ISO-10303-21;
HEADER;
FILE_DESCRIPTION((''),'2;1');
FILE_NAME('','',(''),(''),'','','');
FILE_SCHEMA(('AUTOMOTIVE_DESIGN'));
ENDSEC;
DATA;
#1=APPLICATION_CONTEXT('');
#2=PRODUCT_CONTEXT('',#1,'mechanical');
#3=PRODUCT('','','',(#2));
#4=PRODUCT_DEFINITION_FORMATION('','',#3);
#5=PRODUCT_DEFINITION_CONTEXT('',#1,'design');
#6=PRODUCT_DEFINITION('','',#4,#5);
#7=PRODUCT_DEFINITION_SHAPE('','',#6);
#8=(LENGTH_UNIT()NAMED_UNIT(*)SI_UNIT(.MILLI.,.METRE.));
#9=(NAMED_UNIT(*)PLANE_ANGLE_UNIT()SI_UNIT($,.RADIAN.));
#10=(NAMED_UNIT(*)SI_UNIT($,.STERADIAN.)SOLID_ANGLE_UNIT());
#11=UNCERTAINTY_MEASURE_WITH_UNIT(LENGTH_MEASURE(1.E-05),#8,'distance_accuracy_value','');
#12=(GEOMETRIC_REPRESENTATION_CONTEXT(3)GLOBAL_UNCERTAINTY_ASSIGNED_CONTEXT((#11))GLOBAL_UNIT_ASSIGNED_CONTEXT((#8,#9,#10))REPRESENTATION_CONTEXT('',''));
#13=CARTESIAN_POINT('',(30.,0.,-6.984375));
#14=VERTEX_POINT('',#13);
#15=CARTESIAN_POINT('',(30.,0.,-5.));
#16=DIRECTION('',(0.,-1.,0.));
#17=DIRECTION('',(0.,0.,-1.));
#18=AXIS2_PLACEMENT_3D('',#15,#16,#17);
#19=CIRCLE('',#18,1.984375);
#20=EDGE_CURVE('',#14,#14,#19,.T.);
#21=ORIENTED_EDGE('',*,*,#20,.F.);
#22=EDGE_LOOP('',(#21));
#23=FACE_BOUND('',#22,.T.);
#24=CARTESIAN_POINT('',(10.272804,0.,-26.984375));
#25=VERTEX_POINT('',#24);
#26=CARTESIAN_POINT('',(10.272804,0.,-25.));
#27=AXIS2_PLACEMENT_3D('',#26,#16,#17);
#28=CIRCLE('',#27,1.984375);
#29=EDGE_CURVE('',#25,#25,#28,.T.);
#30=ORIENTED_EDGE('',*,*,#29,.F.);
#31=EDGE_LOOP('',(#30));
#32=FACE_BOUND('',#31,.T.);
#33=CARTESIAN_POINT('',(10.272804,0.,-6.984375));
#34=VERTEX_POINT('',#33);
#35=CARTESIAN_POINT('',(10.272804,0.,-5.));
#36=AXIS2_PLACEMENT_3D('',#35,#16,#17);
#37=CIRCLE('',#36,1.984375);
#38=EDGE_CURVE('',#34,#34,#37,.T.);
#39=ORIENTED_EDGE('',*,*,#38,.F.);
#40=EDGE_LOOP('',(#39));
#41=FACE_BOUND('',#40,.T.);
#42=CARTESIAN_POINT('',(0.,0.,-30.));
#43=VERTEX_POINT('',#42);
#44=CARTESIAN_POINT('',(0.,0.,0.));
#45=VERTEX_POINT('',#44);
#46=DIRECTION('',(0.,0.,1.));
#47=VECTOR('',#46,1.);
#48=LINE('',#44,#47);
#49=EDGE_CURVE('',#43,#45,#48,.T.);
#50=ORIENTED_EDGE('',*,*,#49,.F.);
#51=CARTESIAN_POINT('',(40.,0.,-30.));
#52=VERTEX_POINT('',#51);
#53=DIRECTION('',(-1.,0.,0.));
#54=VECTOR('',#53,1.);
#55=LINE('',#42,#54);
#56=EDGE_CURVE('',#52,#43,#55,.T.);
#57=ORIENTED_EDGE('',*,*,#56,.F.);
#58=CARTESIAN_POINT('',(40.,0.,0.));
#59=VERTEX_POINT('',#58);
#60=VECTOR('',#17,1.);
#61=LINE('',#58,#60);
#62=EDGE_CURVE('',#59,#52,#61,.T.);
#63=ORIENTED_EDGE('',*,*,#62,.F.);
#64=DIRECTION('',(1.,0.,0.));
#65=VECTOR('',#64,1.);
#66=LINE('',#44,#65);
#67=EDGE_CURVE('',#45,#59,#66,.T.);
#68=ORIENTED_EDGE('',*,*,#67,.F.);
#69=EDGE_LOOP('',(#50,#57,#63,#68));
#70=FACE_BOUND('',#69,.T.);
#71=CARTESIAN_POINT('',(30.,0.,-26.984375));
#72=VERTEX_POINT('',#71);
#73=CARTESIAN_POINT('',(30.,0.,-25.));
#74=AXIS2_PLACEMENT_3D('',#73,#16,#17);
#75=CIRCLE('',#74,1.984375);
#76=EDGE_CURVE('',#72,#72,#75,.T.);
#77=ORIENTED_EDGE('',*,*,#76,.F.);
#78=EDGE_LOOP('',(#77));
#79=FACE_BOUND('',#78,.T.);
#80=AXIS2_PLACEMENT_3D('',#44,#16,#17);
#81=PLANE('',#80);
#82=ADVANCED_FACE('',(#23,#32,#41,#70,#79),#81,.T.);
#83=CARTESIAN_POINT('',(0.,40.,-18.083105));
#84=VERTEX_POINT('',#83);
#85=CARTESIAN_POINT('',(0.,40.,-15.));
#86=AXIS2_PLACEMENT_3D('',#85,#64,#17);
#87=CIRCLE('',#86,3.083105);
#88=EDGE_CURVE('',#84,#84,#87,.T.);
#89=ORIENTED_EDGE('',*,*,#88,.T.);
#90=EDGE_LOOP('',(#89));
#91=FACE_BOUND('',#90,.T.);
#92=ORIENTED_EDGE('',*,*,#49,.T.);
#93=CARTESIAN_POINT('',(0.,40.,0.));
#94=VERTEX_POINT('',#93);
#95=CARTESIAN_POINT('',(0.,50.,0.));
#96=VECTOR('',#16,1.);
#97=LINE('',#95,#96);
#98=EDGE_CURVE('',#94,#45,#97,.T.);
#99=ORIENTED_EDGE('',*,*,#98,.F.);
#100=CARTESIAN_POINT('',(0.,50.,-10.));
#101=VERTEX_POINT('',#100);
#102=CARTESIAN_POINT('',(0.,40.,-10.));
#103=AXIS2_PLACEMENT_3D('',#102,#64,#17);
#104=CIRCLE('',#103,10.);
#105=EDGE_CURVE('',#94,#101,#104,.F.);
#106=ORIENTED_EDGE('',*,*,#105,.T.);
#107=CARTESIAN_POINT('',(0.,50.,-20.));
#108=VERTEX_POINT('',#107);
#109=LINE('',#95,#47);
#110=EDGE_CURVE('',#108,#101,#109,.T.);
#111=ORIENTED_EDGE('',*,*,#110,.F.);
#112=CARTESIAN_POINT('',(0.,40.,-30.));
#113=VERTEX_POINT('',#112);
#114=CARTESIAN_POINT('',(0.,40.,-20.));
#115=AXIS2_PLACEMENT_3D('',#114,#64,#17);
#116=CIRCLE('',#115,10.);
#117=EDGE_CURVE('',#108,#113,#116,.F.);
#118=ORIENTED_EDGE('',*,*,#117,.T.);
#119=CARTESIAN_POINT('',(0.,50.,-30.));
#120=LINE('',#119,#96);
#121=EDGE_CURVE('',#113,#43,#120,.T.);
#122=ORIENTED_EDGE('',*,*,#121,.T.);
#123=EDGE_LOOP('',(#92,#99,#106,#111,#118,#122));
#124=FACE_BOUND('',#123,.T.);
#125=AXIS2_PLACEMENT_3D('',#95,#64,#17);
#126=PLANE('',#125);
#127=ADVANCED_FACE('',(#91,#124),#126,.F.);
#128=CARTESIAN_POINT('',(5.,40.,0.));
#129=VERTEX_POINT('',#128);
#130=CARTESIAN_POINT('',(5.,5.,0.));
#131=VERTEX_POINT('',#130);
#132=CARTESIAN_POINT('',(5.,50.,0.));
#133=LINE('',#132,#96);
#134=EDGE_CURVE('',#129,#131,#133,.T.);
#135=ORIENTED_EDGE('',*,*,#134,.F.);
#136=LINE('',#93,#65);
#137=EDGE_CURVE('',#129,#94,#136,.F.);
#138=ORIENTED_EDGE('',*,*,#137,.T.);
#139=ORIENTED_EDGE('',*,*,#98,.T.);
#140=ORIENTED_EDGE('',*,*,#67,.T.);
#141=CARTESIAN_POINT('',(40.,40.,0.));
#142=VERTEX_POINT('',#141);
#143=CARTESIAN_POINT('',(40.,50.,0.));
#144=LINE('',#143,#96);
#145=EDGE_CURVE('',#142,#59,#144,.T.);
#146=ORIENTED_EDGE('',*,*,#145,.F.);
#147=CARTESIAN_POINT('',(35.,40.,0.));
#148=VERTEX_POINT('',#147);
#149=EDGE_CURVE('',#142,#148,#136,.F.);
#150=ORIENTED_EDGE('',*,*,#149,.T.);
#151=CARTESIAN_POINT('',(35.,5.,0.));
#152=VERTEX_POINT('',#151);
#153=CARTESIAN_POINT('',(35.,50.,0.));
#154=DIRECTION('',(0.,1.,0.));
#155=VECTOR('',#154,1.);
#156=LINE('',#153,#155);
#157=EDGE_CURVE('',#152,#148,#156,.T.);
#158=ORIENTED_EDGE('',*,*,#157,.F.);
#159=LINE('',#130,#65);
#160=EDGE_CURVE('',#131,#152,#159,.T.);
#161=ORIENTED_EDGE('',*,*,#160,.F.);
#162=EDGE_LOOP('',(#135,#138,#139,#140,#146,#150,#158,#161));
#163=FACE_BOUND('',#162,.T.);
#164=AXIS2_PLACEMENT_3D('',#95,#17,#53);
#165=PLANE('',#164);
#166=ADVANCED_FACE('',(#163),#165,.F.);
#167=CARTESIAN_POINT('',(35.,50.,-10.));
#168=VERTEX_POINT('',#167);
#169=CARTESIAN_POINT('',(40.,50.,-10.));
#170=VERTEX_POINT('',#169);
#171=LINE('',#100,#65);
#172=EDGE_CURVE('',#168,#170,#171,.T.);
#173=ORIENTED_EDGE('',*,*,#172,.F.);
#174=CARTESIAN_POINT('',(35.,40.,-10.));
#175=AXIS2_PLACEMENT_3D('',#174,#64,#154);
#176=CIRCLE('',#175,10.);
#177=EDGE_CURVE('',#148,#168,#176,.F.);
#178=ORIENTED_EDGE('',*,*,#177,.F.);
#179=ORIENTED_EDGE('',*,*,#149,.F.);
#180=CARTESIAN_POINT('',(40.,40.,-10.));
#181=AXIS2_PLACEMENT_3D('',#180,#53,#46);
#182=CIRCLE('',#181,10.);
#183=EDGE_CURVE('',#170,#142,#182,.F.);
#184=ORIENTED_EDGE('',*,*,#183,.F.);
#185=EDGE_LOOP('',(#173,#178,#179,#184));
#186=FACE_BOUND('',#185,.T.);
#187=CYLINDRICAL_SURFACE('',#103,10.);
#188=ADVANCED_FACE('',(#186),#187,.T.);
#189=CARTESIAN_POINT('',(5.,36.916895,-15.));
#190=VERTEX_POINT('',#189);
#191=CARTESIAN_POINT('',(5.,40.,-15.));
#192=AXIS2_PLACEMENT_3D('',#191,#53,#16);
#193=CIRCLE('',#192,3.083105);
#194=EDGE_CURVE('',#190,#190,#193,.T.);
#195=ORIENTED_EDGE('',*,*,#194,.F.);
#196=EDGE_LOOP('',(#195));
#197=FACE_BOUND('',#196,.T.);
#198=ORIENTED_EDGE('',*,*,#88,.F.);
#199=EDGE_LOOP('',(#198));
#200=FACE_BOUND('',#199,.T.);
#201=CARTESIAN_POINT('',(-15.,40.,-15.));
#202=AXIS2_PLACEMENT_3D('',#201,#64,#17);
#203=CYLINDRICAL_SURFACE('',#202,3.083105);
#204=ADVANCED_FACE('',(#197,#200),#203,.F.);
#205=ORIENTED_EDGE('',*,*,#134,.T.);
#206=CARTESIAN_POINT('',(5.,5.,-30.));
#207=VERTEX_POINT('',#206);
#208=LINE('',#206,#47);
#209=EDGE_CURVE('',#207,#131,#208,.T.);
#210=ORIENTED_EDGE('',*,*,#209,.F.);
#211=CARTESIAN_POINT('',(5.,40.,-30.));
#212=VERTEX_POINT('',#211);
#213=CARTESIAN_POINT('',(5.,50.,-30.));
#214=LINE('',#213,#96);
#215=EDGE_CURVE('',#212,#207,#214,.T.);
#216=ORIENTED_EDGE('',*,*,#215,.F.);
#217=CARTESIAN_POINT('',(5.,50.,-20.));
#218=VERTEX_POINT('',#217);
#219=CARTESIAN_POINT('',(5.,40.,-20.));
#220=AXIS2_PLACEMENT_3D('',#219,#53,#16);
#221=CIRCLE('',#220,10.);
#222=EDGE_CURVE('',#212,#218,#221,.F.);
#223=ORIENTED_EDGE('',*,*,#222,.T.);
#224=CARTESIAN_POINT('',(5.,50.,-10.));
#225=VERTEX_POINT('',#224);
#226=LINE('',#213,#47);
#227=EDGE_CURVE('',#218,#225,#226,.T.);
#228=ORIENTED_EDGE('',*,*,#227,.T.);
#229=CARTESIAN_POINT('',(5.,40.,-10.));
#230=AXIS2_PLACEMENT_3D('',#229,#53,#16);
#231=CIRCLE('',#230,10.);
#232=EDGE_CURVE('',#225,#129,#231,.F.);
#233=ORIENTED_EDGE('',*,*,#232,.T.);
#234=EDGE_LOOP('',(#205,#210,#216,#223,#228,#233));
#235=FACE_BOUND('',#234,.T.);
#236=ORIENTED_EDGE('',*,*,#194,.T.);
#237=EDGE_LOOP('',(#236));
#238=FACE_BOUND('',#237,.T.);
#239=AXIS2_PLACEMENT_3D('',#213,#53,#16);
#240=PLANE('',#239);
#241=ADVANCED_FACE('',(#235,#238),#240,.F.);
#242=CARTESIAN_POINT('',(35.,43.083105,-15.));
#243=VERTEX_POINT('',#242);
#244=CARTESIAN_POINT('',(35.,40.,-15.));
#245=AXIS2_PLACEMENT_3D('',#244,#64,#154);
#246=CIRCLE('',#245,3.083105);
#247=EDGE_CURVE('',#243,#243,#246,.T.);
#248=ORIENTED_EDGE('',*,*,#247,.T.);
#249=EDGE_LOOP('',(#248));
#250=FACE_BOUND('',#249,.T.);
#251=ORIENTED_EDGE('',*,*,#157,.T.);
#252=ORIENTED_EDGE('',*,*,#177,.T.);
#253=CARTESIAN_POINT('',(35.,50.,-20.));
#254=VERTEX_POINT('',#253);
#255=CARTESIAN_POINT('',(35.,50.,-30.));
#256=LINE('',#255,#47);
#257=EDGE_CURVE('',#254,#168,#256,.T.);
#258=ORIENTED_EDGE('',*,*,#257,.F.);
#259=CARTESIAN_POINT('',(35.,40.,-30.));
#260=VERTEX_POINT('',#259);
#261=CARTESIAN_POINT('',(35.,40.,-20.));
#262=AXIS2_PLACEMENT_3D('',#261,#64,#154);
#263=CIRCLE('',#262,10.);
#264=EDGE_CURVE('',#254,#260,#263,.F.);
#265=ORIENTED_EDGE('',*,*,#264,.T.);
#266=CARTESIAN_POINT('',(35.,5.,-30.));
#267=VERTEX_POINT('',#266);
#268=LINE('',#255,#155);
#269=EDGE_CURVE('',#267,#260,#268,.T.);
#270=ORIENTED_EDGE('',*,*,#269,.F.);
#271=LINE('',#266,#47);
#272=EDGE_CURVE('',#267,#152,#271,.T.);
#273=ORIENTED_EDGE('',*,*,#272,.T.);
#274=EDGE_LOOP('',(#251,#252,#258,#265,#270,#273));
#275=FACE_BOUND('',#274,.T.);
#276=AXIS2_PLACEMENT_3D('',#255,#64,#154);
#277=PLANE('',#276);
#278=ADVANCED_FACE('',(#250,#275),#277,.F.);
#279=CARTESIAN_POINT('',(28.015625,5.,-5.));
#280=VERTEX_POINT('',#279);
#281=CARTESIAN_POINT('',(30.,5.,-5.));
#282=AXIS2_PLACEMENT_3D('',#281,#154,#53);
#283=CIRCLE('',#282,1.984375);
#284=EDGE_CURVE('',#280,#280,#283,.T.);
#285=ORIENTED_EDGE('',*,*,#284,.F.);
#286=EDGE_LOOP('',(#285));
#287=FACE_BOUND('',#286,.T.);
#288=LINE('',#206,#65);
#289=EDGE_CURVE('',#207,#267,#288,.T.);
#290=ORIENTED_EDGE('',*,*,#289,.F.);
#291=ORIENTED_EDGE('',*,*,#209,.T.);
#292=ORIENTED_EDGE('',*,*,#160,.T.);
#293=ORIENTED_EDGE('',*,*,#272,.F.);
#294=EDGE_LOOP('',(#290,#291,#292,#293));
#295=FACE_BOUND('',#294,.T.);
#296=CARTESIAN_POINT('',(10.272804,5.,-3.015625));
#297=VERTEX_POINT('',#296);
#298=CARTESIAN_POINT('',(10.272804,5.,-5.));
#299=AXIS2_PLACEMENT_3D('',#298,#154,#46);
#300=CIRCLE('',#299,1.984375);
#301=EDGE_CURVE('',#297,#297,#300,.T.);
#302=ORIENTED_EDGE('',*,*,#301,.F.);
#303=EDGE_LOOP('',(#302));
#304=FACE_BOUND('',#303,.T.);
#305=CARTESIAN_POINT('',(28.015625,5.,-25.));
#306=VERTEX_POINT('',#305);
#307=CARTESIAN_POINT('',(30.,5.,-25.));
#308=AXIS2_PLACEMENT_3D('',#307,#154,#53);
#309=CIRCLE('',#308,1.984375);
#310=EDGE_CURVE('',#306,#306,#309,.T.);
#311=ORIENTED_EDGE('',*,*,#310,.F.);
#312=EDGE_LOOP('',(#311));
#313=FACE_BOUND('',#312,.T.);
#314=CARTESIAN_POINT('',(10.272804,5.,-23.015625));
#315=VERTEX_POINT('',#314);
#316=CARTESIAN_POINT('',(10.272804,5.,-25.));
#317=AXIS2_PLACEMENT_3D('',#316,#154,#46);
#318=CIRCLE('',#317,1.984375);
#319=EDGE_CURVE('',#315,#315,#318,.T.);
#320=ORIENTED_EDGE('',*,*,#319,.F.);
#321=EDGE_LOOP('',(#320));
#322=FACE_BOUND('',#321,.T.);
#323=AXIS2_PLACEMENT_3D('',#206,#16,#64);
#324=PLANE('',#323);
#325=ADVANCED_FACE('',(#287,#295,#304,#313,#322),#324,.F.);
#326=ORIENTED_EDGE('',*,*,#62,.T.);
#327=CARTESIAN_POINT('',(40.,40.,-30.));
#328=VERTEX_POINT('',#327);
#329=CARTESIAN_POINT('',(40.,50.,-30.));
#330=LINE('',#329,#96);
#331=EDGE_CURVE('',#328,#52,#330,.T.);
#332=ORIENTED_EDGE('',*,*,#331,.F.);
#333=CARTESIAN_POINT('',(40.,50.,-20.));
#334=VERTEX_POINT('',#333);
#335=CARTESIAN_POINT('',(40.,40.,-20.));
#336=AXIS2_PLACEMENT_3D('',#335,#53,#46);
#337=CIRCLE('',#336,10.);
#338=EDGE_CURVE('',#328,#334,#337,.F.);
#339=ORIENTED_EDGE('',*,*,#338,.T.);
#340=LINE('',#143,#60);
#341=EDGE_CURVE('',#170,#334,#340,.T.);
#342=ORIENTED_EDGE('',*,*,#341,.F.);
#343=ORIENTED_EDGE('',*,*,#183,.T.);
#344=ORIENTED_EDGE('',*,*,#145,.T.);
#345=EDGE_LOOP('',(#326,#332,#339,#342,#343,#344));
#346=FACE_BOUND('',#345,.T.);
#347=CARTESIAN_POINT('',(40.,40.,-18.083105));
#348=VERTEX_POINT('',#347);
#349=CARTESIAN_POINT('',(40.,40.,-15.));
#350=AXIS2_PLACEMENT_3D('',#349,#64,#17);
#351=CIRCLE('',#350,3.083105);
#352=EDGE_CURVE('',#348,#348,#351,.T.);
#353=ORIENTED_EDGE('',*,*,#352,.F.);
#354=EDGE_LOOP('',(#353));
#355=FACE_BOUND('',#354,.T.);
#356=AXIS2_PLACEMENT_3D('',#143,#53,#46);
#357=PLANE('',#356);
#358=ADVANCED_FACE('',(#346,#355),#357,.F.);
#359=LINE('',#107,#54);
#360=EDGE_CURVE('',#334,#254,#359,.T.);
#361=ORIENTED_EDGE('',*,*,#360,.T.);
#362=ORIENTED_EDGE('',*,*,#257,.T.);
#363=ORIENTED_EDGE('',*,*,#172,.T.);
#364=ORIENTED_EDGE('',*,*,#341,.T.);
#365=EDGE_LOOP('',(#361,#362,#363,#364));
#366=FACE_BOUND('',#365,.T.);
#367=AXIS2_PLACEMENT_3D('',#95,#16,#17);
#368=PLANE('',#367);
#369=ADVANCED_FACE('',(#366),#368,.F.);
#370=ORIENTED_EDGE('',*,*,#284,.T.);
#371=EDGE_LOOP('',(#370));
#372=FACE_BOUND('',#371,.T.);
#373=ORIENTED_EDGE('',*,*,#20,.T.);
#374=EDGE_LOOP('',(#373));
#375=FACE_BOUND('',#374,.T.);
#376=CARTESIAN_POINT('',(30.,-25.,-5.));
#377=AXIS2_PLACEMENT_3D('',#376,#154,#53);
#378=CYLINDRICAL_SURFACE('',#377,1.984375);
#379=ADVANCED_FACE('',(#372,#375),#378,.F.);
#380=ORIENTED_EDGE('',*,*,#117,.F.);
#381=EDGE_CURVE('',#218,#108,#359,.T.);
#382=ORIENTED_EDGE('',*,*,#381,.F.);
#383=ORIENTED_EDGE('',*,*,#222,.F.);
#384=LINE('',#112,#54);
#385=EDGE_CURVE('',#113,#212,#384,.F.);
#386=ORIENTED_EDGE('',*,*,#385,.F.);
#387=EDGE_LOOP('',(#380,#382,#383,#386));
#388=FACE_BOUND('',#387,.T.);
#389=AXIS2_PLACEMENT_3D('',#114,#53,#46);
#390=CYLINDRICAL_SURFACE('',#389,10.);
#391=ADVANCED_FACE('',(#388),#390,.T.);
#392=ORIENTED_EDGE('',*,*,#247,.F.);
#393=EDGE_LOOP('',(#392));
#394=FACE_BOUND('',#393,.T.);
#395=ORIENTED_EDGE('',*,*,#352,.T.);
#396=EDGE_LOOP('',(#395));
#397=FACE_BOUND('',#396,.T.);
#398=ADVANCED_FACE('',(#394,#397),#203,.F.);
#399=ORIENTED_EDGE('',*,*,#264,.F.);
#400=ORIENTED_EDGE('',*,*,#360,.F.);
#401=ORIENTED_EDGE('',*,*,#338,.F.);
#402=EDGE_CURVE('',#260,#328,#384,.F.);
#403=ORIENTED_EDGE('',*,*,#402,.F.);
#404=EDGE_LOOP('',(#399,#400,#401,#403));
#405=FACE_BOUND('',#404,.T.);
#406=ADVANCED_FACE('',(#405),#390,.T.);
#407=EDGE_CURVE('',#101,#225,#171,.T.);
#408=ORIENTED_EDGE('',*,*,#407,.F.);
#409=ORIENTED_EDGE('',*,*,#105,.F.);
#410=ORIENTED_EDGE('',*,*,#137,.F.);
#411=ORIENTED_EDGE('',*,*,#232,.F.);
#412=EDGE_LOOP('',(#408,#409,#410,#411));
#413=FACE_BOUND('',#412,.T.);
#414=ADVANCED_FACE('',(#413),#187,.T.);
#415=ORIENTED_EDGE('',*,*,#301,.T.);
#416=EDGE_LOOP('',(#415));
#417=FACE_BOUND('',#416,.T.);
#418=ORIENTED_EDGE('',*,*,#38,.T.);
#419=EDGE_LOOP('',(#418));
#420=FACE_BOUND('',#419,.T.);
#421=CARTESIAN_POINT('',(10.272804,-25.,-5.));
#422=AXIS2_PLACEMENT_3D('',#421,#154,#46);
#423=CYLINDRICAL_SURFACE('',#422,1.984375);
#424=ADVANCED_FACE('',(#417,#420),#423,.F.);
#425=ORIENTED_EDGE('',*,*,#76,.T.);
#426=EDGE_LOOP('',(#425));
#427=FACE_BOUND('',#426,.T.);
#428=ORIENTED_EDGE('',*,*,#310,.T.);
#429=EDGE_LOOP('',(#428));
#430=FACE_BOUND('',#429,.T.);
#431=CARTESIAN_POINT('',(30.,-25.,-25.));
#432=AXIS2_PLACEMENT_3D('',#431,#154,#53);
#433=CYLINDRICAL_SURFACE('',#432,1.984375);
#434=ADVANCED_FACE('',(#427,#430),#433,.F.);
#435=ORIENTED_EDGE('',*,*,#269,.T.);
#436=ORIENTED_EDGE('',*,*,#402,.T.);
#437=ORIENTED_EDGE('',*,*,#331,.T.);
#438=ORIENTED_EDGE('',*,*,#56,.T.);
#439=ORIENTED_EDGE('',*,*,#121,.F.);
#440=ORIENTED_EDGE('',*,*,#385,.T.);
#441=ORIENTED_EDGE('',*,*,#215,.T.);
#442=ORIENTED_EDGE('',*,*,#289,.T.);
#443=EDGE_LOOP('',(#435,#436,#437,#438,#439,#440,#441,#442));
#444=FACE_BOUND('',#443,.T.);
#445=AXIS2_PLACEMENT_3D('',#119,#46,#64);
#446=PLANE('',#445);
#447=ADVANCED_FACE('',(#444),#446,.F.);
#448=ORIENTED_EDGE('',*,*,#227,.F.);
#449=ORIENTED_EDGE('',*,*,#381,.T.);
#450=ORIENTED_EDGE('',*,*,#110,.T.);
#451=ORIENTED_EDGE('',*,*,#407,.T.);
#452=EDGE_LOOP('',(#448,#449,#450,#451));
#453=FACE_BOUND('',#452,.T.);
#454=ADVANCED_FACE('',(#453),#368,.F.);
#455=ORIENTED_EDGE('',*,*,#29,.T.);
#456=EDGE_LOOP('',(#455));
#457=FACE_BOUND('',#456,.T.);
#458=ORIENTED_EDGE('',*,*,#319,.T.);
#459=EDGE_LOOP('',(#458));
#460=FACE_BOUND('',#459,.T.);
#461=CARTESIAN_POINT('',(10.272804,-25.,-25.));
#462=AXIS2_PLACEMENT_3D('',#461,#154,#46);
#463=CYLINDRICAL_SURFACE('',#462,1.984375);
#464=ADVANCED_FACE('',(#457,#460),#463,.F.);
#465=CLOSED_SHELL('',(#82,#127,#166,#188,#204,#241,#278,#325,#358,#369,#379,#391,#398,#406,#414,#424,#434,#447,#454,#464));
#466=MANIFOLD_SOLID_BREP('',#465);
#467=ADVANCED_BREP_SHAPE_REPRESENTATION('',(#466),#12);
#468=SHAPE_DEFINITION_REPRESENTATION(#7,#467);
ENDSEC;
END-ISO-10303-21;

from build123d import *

# Parameters (mm, degrees)
SKETCH1_W           = 40
SKETCH1_H           = 30
BOSS_EXTRUDE1_DEPTH = 50
SKETCH2_W           = 30
SKETCH2_H           = 45
CUT_EXTRUDE1_DEPTH  = 30
FILLET1_R           = 10
SKETCH3_R           = 1.984375
CUT_EXTRUDE2_DEPTH  = 30
SKETCH4_R           = 3.083104926
CUT_EXTRUDE3_DEPTH  = 55
SKETCH5_R           = 1.984375
CUT_EXTRUDE4_DEPTH  = 30


with BuildPart() as part:
    # Sketch1 → Boss-Extrude1 (new body)
    with BuildSketch(Plane(origin=(0, 0, 0), x_dir=(1, 0, 0), z_dir=(0, 1, 0))):
        with Locations((20, 15)):
            Rectangle(SKETCH1_W, SKETCH1_H)
    extrude(amount=BOSS_EXTRUDE1_DEPTH)

    # Sketch2 → Cut-Extrude1 (cut)
    with BuildSketch(Plane.XY):
        with Locations((20, 27.5)):
            Rectangle(SKETCH2_W, SKETCH2_H)
    extrude(amount=-CUT_EXTRUDE1_DEPTH, mode=Mode.SUBTRACT)

    # Fillet1
    fillet1_edges = [part.edges().sort_by_distance(p)[0] for p in [
        (37.5, 50, -30),
        (37.5, 50, 0),
        (2.5, 50, -30),
        (2.5, 50, 0),
    ]]
    fillet(fillet1_edges, radius=FILLET1_R)

    # Sketch3 → Cut-Extrude2 (cut)
    with BuildSketch(Plane(origin=(0, 5, 0), x_dir=(1, 0, 0), z_dir=(0, 1, 0))):
        with Locations((10.272803798, 5)):
            Circle(SKETCH3_R)
        with Locations((10.272803798, 25)):
            Circle(SKETCH3_R)
    extrude(amount=-CUT_EXTRUDE2_DEPTH, mode=Mode.SUBTRACT)

    # Sketch4 → Cut-Extrude3 (cut)
    with BuildSketch(Plane(origin=(40, 0, 0), x_dir=(0, 0, -1), z_dir=(1, 0, 0))):
        with Locations((15, 40)):
            Circle(SKETCH4_R)
    extrude(amount=-CUT_EXTRUDE3_DEPTH, mode=Mode.SUBTRACT)

    # Sketch5 → Cut-Extrude4 (cut)
    with BuildSketch(Plane(origin=(0, 5, 0), x_dir=(1, 0, 0), z_dir=(0, 1, 0))):
        with Locations((30, 25)):
            Circle(SKETCH5_R)
        with Locations((30, 5)):
            Circle(SKETCH5_R)
    extrude(amount=-CUT_EXTRUDE4_DEPTH, mode=Mode.SUBTRACT)


solid = part.part
